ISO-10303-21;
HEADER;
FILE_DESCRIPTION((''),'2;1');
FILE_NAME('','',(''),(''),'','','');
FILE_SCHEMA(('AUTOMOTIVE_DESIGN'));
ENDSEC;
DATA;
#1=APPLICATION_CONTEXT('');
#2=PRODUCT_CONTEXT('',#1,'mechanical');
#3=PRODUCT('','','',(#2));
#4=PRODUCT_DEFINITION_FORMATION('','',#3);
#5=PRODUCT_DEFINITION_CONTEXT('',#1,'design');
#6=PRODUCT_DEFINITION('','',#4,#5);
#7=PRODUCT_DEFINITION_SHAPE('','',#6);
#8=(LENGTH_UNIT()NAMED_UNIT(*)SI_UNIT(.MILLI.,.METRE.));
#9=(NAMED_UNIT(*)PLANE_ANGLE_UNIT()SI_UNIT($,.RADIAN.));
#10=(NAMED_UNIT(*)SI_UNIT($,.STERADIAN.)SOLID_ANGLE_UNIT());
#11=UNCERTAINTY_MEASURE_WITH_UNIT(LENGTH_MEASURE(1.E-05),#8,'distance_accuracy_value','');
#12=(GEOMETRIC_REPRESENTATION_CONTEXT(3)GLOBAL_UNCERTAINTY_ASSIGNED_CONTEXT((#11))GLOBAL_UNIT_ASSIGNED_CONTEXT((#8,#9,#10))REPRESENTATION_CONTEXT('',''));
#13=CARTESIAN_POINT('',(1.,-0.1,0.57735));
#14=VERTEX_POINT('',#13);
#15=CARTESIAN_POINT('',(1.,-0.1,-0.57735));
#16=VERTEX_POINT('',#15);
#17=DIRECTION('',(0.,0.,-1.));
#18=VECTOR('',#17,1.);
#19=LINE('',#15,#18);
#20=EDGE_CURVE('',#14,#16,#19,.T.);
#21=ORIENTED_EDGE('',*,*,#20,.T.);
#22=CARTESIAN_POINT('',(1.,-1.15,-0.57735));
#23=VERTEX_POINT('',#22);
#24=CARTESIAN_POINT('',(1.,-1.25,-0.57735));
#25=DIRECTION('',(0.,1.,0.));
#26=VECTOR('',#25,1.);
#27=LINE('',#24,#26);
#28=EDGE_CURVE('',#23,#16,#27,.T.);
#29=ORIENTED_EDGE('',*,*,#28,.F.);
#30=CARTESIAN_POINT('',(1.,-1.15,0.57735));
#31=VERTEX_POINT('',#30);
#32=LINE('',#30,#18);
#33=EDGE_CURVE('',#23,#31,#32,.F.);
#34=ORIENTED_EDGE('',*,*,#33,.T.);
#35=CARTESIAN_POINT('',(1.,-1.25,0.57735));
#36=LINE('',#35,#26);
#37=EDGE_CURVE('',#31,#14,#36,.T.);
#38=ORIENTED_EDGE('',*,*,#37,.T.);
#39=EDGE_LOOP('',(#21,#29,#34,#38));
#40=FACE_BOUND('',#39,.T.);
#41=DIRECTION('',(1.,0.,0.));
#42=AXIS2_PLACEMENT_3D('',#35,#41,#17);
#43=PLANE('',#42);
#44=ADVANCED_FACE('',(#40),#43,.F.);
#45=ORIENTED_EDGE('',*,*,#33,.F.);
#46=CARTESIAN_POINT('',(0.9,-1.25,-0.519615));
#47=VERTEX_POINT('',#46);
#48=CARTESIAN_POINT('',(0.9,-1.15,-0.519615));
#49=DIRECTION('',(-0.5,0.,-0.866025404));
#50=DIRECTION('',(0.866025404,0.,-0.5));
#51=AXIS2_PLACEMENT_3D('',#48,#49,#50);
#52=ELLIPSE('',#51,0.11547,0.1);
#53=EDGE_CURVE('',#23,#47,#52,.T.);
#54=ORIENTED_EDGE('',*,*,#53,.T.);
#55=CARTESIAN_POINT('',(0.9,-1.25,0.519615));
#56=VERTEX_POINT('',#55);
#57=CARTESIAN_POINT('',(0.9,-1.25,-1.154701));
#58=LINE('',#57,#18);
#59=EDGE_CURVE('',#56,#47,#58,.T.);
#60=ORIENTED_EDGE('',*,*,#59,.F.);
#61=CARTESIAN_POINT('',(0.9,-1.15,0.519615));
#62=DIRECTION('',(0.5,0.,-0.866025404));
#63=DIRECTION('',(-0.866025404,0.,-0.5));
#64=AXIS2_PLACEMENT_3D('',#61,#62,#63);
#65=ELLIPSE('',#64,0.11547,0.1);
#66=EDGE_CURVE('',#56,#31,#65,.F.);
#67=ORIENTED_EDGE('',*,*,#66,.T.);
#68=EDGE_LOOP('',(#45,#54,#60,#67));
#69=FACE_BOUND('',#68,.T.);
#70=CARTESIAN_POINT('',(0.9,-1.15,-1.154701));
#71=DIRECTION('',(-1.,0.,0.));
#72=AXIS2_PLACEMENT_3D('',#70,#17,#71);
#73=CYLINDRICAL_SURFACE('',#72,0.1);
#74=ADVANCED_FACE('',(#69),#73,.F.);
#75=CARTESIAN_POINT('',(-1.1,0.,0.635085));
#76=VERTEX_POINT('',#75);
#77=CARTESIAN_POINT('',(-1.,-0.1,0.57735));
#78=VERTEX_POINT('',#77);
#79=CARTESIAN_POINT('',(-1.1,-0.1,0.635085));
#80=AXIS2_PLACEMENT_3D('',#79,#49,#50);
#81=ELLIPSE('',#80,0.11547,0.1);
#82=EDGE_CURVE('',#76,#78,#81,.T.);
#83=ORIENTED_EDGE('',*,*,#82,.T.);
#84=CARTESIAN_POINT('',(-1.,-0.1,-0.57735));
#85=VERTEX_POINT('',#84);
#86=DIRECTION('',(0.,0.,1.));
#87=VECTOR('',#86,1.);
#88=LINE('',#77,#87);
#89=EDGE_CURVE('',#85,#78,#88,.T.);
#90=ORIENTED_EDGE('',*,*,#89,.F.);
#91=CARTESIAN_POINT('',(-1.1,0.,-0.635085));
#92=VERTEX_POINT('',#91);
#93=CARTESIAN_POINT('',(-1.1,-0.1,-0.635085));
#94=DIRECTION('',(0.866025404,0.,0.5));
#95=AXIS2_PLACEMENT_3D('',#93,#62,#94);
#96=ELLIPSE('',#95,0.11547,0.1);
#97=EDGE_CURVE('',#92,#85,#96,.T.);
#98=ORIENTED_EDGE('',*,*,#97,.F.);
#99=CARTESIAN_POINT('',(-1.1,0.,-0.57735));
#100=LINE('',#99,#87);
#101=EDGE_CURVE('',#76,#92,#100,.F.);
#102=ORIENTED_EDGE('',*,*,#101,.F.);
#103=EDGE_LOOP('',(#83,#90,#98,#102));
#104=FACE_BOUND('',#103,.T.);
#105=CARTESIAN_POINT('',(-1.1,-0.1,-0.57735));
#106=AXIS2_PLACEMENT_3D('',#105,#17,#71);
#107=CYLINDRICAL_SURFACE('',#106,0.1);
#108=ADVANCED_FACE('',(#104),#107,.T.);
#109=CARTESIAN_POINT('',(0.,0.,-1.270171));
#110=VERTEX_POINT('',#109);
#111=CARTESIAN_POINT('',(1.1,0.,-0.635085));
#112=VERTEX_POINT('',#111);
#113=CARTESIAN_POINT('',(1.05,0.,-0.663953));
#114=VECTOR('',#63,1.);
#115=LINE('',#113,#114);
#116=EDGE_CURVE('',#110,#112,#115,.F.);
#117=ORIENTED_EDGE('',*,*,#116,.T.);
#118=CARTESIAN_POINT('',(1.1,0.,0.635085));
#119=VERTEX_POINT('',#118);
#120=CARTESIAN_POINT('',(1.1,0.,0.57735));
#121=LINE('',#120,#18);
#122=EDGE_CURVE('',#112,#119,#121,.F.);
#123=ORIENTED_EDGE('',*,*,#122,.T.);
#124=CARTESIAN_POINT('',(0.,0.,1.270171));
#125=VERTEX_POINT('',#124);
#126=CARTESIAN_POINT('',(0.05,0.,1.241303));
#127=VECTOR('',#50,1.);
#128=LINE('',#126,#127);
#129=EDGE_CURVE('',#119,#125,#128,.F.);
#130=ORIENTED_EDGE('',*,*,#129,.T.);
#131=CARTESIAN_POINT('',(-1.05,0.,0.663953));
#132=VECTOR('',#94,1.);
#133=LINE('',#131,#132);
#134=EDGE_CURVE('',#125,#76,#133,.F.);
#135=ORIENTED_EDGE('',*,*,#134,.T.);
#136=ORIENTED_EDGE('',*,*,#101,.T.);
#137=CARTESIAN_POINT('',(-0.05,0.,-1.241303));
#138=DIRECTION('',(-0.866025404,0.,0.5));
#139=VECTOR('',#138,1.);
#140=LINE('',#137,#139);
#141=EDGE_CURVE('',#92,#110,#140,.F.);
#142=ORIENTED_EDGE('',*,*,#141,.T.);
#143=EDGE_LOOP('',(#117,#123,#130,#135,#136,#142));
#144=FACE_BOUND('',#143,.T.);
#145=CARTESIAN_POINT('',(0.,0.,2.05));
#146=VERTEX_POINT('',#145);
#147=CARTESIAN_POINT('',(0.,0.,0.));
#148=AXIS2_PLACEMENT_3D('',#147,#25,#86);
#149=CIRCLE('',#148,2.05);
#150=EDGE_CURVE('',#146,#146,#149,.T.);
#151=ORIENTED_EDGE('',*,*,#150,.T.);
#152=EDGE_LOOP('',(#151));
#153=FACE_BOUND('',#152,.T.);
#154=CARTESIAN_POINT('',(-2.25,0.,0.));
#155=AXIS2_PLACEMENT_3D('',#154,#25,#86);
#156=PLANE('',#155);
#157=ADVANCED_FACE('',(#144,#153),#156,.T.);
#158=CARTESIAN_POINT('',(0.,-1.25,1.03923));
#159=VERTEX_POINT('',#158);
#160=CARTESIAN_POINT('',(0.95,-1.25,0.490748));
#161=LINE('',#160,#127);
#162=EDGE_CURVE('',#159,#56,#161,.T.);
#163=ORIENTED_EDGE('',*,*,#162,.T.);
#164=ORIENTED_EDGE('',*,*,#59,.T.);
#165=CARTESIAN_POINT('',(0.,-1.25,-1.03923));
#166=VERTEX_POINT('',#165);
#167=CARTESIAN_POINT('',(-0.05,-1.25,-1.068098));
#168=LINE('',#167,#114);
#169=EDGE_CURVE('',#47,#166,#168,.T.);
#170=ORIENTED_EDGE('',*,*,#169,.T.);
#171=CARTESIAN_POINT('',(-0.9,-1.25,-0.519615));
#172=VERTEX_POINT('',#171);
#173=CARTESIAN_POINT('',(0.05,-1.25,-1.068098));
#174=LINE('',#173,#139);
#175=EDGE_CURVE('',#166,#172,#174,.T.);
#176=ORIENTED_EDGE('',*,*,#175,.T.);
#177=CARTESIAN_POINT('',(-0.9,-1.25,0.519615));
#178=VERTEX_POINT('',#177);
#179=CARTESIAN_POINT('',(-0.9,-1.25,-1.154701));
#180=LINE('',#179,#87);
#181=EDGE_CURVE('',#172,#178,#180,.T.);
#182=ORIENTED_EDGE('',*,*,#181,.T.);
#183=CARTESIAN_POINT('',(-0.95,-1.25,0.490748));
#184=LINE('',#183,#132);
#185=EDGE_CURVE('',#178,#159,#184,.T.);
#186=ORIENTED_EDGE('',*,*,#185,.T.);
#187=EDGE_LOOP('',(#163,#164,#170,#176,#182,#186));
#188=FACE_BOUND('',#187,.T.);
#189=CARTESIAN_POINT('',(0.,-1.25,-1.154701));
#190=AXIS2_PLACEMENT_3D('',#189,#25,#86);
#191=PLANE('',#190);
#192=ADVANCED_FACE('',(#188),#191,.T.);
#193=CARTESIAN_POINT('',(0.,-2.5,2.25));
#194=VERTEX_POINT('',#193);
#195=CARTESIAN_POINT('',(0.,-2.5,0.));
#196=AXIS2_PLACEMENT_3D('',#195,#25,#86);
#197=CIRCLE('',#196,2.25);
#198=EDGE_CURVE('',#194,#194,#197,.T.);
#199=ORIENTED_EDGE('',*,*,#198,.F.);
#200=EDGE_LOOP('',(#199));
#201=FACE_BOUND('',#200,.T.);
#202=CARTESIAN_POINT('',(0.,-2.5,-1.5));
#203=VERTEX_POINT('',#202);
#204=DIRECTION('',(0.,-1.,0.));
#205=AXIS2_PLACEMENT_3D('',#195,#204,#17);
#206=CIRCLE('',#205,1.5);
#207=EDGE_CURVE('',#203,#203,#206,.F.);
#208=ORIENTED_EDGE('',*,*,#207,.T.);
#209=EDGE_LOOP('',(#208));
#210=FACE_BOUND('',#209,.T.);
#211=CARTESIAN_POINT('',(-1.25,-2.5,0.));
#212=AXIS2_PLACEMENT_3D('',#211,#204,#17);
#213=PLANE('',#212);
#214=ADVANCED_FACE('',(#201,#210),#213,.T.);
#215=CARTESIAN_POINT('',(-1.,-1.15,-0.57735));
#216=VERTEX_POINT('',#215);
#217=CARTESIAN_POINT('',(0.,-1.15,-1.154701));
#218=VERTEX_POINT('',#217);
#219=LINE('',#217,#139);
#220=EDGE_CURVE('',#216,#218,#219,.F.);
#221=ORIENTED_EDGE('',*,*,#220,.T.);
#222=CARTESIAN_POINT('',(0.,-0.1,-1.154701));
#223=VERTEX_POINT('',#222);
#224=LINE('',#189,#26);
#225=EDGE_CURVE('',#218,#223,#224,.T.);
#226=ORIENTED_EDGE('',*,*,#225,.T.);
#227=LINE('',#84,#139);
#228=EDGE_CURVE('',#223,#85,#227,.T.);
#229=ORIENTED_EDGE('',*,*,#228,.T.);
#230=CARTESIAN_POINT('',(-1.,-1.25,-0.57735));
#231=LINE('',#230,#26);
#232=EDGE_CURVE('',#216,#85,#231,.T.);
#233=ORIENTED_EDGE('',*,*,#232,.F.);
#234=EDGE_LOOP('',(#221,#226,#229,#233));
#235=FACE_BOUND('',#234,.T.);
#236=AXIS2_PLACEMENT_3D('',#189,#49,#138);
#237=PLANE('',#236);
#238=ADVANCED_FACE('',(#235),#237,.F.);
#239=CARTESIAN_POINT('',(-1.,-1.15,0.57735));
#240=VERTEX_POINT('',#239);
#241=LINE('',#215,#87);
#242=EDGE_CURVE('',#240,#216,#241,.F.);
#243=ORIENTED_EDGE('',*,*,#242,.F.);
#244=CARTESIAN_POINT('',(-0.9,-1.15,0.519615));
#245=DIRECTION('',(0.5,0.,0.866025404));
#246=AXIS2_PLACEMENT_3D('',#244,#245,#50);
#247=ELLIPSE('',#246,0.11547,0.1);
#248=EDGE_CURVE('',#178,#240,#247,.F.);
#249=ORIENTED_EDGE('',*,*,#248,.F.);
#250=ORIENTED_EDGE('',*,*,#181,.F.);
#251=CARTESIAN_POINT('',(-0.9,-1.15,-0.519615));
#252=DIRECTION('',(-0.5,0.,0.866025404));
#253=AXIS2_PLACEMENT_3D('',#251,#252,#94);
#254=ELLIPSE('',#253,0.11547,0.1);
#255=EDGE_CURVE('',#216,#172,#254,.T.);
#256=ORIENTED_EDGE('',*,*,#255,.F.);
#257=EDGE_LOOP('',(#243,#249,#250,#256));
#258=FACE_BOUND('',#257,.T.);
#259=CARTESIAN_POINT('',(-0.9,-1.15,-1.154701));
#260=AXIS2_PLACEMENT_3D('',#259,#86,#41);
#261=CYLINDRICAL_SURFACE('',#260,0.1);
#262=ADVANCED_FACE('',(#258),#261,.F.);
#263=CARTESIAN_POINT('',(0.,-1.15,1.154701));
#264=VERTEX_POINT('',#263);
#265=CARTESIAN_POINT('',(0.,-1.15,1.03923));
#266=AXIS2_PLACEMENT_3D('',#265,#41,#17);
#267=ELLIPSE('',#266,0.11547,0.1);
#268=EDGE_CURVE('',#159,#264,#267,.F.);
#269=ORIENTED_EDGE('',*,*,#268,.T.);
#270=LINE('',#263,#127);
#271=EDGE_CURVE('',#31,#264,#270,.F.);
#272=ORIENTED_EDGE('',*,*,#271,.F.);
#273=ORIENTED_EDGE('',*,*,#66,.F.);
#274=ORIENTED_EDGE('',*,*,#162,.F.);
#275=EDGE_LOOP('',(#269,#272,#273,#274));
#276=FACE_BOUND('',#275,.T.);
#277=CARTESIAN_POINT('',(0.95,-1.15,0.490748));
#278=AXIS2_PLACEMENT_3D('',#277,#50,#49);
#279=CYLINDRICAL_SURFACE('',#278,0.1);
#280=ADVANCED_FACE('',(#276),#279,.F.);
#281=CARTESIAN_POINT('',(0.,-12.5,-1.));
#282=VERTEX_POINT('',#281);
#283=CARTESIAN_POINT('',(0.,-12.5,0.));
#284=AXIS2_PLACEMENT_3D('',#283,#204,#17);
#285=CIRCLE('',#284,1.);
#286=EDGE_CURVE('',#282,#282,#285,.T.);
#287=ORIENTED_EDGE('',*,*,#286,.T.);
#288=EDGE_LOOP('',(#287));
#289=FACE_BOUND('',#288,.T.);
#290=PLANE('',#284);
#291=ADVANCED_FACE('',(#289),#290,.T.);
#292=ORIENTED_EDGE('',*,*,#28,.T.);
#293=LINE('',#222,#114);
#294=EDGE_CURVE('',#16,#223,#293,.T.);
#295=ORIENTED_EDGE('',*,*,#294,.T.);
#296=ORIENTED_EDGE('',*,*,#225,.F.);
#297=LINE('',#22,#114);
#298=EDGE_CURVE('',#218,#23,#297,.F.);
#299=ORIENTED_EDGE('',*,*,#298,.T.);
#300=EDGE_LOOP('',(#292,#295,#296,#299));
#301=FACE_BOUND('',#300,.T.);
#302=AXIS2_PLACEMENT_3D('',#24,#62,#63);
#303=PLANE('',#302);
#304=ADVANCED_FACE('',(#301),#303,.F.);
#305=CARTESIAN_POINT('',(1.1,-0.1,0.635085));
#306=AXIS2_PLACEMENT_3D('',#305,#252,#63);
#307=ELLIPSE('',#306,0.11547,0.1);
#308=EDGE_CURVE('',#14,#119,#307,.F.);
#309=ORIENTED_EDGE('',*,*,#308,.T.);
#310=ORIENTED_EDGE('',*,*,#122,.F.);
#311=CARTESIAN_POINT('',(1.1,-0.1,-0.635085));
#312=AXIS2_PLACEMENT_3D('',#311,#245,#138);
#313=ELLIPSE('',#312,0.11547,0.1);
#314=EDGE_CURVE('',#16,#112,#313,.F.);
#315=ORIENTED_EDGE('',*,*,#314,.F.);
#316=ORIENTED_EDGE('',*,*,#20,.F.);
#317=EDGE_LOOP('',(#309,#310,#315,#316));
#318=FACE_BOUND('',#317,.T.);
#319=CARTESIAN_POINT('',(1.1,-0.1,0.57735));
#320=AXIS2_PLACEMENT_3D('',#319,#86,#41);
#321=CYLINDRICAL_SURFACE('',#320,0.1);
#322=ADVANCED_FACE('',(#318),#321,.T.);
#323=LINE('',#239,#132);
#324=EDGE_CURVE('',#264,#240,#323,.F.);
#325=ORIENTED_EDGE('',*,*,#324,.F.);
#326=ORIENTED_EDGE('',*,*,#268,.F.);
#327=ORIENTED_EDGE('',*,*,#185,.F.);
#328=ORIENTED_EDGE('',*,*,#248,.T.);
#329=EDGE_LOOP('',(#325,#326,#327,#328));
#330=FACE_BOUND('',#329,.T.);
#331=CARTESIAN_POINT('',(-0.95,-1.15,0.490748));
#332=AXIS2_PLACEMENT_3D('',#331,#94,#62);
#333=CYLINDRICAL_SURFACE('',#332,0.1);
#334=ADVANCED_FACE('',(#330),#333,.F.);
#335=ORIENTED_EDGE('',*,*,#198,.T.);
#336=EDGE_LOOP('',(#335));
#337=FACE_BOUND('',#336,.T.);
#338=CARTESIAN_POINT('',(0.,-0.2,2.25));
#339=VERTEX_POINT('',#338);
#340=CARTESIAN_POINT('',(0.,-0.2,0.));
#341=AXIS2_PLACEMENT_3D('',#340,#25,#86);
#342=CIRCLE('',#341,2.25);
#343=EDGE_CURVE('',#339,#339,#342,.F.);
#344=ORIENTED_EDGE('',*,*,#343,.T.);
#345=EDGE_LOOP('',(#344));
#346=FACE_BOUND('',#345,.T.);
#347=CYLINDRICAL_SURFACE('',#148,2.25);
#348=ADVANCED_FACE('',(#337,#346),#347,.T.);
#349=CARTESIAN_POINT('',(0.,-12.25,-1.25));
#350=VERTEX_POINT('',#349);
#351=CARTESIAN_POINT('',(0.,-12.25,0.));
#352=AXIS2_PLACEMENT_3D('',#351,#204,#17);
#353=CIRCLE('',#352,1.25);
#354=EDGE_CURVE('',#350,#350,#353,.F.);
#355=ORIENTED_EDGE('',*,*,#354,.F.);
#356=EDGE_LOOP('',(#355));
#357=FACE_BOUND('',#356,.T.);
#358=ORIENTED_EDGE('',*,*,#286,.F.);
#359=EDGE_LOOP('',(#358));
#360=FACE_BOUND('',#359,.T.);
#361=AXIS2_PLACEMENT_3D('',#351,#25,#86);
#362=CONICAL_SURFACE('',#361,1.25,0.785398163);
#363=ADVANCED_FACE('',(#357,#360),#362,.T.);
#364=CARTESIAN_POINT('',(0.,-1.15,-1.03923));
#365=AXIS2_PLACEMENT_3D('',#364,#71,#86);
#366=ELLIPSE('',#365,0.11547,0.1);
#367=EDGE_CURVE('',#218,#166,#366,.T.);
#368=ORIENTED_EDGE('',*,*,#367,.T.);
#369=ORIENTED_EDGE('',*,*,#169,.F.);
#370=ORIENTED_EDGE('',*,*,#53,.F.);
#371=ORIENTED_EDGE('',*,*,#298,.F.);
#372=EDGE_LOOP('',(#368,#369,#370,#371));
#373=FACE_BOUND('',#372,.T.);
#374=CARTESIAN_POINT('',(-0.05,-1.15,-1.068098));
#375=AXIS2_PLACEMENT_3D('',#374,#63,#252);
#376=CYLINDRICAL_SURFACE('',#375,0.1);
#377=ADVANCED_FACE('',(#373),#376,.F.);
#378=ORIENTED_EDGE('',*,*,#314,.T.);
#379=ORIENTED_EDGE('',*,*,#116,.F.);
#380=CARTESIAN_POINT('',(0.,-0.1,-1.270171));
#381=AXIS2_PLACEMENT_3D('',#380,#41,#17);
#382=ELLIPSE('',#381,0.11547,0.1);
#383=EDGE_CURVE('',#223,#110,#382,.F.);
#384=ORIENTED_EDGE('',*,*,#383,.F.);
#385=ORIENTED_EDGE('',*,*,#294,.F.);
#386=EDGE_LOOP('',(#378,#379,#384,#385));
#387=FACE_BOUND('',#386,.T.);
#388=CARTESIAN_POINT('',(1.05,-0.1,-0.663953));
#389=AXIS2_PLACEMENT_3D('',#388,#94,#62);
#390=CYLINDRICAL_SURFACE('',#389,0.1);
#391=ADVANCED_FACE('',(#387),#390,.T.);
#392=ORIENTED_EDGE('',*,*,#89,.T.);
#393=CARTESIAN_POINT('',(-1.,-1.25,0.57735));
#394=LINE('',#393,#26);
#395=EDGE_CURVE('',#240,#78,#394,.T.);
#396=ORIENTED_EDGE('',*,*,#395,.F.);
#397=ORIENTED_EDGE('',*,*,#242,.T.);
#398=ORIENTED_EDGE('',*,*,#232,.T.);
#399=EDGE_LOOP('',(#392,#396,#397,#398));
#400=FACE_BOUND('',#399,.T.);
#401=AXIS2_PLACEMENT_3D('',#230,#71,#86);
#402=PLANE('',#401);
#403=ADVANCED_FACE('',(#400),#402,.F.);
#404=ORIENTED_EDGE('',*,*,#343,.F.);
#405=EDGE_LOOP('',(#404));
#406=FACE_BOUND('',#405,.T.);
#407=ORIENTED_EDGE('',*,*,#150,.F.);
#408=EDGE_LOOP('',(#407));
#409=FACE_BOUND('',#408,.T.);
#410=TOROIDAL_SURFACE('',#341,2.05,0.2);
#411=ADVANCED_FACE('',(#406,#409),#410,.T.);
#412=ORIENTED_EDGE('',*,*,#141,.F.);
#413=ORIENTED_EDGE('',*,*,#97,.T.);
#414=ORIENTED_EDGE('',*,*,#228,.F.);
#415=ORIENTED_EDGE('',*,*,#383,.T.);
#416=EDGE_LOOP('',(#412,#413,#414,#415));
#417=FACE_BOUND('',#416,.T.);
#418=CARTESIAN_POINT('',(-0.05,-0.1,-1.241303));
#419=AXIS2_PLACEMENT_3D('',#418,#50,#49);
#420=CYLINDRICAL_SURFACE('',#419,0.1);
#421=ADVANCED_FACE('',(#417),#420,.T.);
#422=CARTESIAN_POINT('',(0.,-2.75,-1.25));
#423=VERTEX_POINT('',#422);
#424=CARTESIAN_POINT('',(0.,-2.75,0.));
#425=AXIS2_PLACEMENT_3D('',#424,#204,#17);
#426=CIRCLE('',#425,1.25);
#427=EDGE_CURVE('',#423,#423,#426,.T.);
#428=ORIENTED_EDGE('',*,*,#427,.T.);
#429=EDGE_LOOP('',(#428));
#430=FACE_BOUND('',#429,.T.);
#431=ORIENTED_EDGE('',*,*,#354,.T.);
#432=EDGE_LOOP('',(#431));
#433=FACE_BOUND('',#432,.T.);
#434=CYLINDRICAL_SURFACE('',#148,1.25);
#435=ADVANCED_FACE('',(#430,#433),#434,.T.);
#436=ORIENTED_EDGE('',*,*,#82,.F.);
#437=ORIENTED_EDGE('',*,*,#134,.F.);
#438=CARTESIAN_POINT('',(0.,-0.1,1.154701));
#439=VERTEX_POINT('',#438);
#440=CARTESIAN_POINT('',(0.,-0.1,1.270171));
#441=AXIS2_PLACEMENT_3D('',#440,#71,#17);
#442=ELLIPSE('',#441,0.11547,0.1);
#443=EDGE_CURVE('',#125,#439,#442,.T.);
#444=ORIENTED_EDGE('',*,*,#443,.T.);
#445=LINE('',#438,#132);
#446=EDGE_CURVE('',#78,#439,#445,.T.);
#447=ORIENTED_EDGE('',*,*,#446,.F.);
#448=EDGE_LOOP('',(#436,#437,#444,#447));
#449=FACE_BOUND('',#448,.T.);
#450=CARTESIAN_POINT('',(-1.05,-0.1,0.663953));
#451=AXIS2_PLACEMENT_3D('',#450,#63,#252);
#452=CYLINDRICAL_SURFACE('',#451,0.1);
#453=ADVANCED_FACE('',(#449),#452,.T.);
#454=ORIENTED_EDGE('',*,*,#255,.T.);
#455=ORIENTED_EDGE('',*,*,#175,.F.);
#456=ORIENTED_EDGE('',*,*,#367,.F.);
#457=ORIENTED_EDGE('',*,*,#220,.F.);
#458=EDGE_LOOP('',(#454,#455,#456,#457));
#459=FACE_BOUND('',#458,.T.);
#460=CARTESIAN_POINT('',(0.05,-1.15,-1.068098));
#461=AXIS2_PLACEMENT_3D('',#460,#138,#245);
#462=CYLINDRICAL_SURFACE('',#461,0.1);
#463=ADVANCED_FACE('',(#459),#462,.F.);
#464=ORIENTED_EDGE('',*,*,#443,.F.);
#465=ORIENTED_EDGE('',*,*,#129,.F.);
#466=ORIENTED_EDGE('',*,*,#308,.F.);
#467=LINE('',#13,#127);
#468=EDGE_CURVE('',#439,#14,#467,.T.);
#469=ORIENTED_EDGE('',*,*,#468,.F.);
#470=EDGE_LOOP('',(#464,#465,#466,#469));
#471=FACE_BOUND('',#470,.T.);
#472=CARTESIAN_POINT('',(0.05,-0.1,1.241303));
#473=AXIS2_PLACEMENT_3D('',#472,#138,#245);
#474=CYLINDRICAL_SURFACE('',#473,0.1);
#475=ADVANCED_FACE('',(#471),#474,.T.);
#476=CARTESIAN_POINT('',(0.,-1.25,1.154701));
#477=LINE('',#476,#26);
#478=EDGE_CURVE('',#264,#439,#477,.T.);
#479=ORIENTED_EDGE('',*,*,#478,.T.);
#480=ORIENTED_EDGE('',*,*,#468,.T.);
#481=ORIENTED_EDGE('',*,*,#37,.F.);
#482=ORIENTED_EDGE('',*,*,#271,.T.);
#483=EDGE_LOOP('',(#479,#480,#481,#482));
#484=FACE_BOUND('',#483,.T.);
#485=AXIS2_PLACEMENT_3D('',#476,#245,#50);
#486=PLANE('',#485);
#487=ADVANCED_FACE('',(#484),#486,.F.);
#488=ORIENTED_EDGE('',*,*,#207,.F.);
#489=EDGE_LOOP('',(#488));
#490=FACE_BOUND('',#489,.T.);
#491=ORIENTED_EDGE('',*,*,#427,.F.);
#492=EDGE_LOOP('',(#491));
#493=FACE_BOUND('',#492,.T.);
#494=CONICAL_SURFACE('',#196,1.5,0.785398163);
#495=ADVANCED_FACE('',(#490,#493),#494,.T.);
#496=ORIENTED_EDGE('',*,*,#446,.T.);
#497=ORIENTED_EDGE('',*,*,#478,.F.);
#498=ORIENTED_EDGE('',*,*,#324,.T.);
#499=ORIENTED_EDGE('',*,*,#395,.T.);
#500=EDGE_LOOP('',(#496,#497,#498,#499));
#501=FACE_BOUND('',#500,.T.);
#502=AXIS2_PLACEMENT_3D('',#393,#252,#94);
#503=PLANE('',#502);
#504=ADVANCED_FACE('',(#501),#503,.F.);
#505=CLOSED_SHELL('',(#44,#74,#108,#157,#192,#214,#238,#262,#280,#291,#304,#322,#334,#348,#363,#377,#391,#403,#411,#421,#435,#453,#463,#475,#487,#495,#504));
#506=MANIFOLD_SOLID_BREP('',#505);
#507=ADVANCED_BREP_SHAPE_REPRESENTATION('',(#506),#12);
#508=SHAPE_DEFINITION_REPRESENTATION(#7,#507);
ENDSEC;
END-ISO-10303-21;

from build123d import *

# Parameters (mm, degrees)
CHAMFER1_SIZE      = 0.25
FILLET1_R          = 0.2
CUT_EXTRUDE1_DEPTH = 1.25
FILLET2_R          = 0.1


with BuildPart() as part:
    # Sketch1 → Revolve1 (revolve)
    with BuildSketch(Plane.XY, mode=Mode.PRIVATE) as revolve1_sk:
        Polygon((0, -12.5), (-1.25, -12.5), (-1.25, -2.5), (-2.25, -2.5), (-2.25, 0), (0, 0), align=None)
    revolve(revolve1_sk.sketch.rotate(Axis((0, 0, 0), (0, -1, 0)), 270), axis=Axis((0, 0, 0), (0, -1, 0)))

    # Chamfer1
    chamfer1_edges = [part.edges().sort_by_distance(p)[0] for p in [
        (0, -2.5, -1.25),
        (0, -12.5, -1.25),
    ]]
    chamfer(chamfer1_edges, length=CHAMFER1_SIZE)

    # Fillet1
    fillet1_edges = [part.edges().sort_by_distance(p)[0] for p in [
        (0, 0, -2.25),
    ]]
    fillet(fillet1_edges, radius=FILLET1_R)

    # Sketch2 → Cut-Extrude1 (cut)
    with BuildSketch(Plane(origin=(0, 0, 0), x_dir=(1, 0, 0), z_dir=(0, 1, 0))):
        Polygon((0, 1.154700538), (-1, 0.577350269), (-1, -0.577350269), (0, -1.154700538), (1, -0.577350269), (1, 0.577350269), align=None)
    extrude(amount=-CUT_EXTRUDE1_DEPTH, mode=Mode.SUBTRACT)

    # Fillet2
    fillet2_edges = [part.edges().sort_by_distance(p)[0] for p in [
        (0.5, -1.25, -0.866025404),
        (1, -1.25, 0),
        (0.5, -1.25, 0.866025404),
        (-0.5, -1.25, 0.866025404),
        (-1, -1.25, 0),
        (-0.5, -1.25, -0.866025404),
        (0.4999999999999987, 0, -0.8660254037844397),
        (-0.5000000000000006, 0, -0.8660254037844395),
        (-1, 0, 0),
        (-0.5000000000000007, 0, 0.8660254037844379),
        (0.4999999999999988, 0, 0.8660254037844382),
        (1, 0, 0),
    ]]
    fillet(fillet2_edges, radius=FILLET2_R)


solid = part.part
